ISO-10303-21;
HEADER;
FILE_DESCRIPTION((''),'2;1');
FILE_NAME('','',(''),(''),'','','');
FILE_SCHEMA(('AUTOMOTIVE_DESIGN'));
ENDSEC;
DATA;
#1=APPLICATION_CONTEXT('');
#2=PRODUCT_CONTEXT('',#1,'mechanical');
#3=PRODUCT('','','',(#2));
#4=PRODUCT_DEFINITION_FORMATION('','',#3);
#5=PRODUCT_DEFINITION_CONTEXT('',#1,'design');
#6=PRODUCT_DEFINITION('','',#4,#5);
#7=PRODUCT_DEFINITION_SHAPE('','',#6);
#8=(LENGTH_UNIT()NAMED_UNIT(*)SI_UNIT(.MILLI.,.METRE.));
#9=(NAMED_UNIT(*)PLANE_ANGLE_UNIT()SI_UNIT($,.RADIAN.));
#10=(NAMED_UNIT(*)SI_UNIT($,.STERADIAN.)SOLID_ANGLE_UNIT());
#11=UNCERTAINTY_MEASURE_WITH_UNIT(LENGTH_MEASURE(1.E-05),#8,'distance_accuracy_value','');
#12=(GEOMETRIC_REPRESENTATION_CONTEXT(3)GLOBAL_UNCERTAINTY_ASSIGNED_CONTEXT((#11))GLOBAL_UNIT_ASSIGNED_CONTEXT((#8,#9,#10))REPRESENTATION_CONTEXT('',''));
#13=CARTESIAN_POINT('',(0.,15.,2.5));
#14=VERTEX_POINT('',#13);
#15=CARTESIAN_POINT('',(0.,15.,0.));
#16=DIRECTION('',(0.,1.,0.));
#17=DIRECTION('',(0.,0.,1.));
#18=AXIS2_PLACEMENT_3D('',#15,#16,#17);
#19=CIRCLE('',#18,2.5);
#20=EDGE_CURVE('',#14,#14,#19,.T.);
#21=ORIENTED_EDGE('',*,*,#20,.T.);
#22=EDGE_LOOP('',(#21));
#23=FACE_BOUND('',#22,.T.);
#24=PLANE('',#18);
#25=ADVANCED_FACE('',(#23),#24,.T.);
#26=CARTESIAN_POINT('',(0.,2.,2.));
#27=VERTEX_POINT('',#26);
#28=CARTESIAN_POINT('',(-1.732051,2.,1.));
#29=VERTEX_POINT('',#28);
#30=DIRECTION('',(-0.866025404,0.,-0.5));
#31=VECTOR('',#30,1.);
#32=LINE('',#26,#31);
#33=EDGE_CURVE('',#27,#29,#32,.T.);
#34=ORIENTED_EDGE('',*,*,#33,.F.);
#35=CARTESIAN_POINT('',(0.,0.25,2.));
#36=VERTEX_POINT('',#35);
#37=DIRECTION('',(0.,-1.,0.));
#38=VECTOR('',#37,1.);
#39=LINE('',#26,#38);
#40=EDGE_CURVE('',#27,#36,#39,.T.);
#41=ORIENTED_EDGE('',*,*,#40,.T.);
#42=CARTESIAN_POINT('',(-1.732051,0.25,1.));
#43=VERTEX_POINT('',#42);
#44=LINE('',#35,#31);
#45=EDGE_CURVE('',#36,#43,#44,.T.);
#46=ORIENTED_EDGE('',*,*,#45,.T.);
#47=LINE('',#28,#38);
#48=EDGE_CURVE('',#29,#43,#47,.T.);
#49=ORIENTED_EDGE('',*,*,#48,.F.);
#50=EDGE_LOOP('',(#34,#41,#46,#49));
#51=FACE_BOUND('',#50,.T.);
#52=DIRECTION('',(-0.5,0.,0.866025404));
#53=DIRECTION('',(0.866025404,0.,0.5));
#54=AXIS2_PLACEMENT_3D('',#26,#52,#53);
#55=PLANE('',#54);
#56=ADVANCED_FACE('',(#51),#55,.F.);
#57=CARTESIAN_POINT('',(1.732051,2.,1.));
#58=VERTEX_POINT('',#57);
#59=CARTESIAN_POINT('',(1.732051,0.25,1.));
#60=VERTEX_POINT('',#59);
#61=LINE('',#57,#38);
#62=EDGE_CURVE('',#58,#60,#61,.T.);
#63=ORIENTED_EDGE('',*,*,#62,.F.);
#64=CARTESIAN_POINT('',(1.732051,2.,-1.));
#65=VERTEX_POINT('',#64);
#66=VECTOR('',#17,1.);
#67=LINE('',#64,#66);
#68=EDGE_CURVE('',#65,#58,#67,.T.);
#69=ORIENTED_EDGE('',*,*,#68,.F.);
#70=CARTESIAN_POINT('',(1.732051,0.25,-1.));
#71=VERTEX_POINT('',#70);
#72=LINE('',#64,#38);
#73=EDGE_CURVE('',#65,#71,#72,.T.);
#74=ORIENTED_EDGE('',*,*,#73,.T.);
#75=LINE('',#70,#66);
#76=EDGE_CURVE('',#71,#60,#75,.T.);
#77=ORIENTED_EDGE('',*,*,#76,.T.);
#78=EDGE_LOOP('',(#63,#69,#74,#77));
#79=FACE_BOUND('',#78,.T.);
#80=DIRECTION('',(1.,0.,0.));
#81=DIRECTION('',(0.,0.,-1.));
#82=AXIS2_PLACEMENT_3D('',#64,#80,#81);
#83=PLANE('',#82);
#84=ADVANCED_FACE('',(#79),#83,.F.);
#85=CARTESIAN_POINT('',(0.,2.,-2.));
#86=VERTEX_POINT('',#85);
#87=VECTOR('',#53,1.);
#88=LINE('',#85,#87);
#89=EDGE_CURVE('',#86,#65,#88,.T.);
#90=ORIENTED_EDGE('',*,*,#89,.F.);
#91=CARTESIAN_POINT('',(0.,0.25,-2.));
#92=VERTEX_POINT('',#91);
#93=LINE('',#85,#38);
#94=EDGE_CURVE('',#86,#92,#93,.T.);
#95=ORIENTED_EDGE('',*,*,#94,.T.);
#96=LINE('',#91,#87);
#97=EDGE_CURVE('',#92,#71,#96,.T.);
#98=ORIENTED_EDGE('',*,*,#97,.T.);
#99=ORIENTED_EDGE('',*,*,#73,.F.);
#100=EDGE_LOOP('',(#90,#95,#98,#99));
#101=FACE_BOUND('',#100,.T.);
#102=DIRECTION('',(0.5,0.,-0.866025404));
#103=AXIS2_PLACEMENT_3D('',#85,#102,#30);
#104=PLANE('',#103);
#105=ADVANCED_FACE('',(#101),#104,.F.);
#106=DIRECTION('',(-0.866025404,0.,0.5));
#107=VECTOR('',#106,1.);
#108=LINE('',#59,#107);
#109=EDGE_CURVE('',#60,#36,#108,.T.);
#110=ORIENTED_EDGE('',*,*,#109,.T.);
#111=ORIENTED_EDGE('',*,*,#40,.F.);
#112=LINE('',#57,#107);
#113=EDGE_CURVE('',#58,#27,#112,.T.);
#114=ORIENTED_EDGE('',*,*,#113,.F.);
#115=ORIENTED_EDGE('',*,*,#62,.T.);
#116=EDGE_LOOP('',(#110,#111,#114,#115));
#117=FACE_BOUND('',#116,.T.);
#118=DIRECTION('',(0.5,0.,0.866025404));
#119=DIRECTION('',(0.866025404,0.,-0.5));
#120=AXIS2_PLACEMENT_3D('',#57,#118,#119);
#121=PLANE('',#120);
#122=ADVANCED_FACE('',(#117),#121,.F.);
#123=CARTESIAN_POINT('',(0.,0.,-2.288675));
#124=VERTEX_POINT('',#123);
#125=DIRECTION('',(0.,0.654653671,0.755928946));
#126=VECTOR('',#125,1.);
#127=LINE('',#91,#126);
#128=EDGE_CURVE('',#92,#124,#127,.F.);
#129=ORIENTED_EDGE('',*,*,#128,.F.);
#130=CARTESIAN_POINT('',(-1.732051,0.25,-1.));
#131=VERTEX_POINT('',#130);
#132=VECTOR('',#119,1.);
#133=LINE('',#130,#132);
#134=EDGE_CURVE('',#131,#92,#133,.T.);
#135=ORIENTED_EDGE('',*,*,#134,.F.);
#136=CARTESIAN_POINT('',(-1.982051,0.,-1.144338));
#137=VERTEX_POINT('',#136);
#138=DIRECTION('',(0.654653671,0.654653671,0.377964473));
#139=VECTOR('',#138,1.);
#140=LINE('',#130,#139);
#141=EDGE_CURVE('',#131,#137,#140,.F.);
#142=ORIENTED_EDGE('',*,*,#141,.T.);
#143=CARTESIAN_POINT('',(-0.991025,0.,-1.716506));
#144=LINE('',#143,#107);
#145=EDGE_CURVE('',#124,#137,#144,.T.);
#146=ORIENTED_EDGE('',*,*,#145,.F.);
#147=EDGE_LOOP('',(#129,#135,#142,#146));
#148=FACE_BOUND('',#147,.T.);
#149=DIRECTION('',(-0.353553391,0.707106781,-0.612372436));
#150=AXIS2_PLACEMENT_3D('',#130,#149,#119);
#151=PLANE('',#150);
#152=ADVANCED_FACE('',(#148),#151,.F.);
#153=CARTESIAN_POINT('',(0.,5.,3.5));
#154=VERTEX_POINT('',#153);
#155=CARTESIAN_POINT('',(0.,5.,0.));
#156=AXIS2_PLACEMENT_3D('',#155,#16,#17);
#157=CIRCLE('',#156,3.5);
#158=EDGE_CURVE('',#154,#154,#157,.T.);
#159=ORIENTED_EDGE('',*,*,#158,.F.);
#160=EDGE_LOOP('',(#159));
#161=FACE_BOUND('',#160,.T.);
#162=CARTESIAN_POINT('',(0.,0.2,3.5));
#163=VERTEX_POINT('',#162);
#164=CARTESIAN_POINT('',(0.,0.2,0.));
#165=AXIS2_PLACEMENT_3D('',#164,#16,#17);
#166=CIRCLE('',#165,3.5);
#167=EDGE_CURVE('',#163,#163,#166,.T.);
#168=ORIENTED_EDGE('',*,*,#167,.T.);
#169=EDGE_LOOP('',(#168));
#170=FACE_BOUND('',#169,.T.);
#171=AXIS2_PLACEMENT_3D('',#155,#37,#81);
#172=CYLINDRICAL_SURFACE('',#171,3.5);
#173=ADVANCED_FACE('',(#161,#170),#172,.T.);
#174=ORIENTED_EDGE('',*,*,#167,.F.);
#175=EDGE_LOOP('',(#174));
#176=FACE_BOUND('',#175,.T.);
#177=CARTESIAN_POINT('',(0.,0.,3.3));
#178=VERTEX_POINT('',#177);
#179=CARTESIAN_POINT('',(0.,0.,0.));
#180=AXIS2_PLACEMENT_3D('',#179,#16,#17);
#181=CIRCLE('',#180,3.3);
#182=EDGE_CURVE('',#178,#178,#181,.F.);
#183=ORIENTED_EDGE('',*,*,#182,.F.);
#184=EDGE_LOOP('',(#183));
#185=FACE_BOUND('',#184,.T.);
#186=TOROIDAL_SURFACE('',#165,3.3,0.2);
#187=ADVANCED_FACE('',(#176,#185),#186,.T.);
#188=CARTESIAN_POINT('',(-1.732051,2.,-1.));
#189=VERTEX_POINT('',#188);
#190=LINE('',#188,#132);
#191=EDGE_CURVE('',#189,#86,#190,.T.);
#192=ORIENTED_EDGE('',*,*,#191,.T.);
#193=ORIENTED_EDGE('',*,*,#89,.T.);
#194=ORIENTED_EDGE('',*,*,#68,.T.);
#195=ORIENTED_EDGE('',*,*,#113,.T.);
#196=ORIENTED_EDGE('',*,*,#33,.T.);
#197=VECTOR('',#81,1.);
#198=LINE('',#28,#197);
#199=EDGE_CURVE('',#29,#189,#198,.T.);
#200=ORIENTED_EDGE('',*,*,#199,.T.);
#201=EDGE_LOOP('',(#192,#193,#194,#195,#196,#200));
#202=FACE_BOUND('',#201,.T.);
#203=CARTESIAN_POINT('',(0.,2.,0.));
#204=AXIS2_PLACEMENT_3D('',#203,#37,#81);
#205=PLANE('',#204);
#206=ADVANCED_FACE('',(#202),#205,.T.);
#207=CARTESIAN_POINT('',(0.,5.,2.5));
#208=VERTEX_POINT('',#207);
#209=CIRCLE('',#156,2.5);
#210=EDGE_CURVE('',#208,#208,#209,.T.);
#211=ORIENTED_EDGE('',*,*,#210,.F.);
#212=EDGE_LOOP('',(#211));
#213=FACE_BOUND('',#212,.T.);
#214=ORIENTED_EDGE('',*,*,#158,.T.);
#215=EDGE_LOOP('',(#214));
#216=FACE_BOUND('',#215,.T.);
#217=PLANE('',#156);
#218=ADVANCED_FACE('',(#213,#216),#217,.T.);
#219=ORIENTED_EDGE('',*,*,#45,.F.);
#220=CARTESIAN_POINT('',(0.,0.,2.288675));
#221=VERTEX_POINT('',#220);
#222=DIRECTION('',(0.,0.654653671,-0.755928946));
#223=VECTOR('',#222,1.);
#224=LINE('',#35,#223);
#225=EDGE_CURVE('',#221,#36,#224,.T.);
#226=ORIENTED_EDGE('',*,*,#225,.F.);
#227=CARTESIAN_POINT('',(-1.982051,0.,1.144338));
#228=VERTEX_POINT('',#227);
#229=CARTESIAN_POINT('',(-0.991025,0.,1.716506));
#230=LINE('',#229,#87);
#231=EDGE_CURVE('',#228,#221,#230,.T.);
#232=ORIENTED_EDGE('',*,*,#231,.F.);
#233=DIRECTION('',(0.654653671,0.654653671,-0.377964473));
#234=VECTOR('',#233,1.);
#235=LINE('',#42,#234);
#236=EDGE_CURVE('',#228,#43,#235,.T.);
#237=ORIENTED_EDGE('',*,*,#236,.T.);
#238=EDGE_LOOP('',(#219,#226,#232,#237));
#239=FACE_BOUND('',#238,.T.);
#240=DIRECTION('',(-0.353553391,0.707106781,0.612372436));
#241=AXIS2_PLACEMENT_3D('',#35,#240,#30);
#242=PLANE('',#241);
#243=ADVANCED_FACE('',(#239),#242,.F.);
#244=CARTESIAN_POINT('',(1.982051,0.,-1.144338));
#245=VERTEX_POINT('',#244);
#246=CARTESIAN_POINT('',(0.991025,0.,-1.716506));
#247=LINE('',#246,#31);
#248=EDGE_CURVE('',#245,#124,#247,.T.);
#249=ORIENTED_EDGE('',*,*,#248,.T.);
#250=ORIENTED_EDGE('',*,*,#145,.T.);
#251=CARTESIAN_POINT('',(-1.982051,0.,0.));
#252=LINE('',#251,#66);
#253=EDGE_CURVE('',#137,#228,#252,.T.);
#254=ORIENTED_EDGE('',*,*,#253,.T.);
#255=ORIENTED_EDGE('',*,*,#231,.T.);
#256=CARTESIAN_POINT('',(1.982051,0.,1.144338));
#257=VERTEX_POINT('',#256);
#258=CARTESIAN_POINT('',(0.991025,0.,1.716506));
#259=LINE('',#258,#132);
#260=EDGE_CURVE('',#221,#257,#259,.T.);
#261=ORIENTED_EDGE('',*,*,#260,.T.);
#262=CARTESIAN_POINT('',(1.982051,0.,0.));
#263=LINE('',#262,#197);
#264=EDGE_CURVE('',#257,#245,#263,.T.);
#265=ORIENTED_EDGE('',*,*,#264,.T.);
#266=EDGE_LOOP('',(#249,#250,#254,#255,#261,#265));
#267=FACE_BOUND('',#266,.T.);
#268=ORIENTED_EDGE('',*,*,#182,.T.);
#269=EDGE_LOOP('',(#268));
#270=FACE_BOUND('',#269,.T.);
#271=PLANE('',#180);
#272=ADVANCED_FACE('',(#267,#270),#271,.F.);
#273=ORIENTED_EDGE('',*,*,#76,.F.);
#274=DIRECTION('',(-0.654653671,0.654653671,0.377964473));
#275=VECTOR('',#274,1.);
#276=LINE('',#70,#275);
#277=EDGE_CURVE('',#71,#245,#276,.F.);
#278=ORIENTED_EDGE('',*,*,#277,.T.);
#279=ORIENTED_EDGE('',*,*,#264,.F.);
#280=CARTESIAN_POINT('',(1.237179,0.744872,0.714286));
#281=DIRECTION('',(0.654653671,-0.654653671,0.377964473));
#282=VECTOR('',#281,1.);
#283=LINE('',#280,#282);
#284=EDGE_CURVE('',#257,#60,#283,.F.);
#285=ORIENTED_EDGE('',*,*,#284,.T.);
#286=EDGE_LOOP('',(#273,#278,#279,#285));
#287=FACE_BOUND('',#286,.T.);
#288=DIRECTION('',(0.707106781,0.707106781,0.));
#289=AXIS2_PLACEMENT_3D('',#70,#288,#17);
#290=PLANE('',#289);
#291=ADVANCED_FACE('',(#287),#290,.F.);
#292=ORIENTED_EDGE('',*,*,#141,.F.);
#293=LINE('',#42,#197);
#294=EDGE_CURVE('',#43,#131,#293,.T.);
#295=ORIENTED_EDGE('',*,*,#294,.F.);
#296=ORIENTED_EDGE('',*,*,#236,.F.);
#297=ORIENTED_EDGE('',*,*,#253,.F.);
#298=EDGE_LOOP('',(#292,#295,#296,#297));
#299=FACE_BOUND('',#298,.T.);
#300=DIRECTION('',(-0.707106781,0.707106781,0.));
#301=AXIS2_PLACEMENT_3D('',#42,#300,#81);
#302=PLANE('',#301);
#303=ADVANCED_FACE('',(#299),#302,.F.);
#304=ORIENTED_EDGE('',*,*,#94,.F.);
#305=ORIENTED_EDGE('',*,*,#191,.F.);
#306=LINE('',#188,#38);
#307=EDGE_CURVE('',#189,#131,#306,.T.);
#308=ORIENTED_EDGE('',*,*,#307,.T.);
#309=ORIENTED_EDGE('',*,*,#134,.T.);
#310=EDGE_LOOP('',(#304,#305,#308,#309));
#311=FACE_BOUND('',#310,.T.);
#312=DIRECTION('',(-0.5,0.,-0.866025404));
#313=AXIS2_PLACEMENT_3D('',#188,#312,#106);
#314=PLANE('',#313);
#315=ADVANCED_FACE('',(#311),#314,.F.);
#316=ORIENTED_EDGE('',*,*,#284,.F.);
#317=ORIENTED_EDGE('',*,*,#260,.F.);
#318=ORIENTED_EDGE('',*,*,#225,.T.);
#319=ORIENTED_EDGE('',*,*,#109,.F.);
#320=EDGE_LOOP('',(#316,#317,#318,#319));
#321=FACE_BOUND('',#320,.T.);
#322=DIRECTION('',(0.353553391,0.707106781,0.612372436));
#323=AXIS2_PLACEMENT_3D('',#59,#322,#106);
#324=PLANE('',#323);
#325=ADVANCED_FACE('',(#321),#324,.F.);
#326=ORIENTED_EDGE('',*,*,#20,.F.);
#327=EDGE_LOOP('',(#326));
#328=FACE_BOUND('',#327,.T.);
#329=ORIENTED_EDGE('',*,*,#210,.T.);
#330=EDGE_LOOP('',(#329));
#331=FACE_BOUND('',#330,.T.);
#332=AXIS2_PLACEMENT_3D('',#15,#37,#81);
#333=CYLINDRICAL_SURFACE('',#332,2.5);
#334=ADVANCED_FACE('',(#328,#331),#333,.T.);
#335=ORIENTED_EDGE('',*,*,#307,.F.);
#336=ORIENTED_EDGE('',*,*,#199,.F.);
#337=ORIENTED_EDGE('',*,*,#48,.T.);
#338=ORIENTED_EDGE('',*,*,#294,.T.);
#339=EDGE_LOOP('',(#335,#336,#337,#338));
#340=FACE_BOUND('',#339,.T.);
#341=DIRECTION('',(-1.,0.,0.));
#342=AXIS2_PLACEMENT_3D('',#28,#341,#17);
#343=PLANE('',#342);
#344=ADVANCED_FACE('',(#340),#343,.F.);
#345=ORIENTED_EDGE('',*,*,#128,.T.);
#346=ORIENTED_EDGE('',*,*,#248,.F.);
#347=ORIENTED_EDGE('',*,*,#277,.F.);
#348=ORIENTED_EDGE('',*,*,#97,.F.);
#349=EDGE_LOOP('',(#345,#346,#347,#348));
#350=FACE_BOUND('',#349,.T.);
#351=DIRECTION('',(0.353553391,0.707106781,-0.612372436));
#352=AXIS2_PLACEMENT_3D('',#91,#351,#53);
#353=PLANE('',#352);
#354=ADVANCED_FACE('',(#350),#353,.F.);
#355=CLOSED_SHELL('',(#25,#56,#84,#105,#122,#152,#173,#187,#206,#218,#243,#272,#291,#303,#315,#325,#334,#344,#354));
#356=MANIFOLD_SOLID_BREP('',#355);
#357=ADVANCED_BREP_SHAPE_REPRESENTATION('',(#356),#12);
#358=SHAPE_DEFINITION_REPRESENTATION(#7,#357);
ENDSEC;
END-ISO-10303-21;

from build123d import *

# Parameters (mm, degrees)
SKETCH1_R           = 3.5
BOSS_EXTRUDE1_DEPTH = 5
SKETCH2_R           = 2.5
BOSS_EXTRUDE2_DEPTH = 10
CUT_EXTRUDE1_DEPTH  = 2
CHAMFER1_SIZE       = 0.25
FILLET1_R           = 0.2


with BuildPart() as part:
    # Sketch1 → Boss-Extrude1 (new body)
    with BuildSketch(Plane(origin=(0, 0, 0), x_dir=(1, 0, 0), z_dir=(0, 1, 0))):
        with Locations(Location((0, 0, 0), (0, 0, 270))):
            Circle(SKETCH1_R)
    extrude(amount=BOSS_EXTRUDE1_DEPTH)

    # Sketch2 → Boss-Extrude2 (add)
    with BuildSketch(Plane(origin=(0, 5, 0), x_dir=(1, 0, 0), z_dir=(0, 1, 0))):
        with Locations(Location((0, 0, 0), (0, 0, 270))):
            Circle(SKETCH2_R)
    extrude(amount=BOSS_EXTRUDE2_DEPTH)

    # Sketch3 → Cut-Extrude1 (cut)
    with BuildSketch(Plane.XZ):
        Polygon((0, 2), (-1.732050808, 1), (-1.732050808, -1), (0, -2), (1.732050808, -1), (1.732050808, 1), align=None)
    extrude(amount=-CUT_EXTRUDE1_DEPTH, mode=Mode.SUBTRACT)

    # Chamfer1
    chamfer1_edges = [part.edges().sort_by_distance(p)[0] for p in [
        (0.866025404, 0, 1.5),
        (-0.866025404, 0, 1.5),
        (-1.732050808, 0, 0),
        (-0.866025404, 0, -1.5),
        (0.866025404, 0, -1.5),
        (1.732050808, 0, 0),
    ]]
    chamfer(chamfer1_edges, length=CHAMFER1_SIZE)

    # Fillet1
    fillet1_edges = [part.edges().sort_by_distance(p)[0] for p in [
        (0, 0, -3.5),
    ]]
    fillet(fillet1_edges, radius=FILLET1_R)


solid = part.part
